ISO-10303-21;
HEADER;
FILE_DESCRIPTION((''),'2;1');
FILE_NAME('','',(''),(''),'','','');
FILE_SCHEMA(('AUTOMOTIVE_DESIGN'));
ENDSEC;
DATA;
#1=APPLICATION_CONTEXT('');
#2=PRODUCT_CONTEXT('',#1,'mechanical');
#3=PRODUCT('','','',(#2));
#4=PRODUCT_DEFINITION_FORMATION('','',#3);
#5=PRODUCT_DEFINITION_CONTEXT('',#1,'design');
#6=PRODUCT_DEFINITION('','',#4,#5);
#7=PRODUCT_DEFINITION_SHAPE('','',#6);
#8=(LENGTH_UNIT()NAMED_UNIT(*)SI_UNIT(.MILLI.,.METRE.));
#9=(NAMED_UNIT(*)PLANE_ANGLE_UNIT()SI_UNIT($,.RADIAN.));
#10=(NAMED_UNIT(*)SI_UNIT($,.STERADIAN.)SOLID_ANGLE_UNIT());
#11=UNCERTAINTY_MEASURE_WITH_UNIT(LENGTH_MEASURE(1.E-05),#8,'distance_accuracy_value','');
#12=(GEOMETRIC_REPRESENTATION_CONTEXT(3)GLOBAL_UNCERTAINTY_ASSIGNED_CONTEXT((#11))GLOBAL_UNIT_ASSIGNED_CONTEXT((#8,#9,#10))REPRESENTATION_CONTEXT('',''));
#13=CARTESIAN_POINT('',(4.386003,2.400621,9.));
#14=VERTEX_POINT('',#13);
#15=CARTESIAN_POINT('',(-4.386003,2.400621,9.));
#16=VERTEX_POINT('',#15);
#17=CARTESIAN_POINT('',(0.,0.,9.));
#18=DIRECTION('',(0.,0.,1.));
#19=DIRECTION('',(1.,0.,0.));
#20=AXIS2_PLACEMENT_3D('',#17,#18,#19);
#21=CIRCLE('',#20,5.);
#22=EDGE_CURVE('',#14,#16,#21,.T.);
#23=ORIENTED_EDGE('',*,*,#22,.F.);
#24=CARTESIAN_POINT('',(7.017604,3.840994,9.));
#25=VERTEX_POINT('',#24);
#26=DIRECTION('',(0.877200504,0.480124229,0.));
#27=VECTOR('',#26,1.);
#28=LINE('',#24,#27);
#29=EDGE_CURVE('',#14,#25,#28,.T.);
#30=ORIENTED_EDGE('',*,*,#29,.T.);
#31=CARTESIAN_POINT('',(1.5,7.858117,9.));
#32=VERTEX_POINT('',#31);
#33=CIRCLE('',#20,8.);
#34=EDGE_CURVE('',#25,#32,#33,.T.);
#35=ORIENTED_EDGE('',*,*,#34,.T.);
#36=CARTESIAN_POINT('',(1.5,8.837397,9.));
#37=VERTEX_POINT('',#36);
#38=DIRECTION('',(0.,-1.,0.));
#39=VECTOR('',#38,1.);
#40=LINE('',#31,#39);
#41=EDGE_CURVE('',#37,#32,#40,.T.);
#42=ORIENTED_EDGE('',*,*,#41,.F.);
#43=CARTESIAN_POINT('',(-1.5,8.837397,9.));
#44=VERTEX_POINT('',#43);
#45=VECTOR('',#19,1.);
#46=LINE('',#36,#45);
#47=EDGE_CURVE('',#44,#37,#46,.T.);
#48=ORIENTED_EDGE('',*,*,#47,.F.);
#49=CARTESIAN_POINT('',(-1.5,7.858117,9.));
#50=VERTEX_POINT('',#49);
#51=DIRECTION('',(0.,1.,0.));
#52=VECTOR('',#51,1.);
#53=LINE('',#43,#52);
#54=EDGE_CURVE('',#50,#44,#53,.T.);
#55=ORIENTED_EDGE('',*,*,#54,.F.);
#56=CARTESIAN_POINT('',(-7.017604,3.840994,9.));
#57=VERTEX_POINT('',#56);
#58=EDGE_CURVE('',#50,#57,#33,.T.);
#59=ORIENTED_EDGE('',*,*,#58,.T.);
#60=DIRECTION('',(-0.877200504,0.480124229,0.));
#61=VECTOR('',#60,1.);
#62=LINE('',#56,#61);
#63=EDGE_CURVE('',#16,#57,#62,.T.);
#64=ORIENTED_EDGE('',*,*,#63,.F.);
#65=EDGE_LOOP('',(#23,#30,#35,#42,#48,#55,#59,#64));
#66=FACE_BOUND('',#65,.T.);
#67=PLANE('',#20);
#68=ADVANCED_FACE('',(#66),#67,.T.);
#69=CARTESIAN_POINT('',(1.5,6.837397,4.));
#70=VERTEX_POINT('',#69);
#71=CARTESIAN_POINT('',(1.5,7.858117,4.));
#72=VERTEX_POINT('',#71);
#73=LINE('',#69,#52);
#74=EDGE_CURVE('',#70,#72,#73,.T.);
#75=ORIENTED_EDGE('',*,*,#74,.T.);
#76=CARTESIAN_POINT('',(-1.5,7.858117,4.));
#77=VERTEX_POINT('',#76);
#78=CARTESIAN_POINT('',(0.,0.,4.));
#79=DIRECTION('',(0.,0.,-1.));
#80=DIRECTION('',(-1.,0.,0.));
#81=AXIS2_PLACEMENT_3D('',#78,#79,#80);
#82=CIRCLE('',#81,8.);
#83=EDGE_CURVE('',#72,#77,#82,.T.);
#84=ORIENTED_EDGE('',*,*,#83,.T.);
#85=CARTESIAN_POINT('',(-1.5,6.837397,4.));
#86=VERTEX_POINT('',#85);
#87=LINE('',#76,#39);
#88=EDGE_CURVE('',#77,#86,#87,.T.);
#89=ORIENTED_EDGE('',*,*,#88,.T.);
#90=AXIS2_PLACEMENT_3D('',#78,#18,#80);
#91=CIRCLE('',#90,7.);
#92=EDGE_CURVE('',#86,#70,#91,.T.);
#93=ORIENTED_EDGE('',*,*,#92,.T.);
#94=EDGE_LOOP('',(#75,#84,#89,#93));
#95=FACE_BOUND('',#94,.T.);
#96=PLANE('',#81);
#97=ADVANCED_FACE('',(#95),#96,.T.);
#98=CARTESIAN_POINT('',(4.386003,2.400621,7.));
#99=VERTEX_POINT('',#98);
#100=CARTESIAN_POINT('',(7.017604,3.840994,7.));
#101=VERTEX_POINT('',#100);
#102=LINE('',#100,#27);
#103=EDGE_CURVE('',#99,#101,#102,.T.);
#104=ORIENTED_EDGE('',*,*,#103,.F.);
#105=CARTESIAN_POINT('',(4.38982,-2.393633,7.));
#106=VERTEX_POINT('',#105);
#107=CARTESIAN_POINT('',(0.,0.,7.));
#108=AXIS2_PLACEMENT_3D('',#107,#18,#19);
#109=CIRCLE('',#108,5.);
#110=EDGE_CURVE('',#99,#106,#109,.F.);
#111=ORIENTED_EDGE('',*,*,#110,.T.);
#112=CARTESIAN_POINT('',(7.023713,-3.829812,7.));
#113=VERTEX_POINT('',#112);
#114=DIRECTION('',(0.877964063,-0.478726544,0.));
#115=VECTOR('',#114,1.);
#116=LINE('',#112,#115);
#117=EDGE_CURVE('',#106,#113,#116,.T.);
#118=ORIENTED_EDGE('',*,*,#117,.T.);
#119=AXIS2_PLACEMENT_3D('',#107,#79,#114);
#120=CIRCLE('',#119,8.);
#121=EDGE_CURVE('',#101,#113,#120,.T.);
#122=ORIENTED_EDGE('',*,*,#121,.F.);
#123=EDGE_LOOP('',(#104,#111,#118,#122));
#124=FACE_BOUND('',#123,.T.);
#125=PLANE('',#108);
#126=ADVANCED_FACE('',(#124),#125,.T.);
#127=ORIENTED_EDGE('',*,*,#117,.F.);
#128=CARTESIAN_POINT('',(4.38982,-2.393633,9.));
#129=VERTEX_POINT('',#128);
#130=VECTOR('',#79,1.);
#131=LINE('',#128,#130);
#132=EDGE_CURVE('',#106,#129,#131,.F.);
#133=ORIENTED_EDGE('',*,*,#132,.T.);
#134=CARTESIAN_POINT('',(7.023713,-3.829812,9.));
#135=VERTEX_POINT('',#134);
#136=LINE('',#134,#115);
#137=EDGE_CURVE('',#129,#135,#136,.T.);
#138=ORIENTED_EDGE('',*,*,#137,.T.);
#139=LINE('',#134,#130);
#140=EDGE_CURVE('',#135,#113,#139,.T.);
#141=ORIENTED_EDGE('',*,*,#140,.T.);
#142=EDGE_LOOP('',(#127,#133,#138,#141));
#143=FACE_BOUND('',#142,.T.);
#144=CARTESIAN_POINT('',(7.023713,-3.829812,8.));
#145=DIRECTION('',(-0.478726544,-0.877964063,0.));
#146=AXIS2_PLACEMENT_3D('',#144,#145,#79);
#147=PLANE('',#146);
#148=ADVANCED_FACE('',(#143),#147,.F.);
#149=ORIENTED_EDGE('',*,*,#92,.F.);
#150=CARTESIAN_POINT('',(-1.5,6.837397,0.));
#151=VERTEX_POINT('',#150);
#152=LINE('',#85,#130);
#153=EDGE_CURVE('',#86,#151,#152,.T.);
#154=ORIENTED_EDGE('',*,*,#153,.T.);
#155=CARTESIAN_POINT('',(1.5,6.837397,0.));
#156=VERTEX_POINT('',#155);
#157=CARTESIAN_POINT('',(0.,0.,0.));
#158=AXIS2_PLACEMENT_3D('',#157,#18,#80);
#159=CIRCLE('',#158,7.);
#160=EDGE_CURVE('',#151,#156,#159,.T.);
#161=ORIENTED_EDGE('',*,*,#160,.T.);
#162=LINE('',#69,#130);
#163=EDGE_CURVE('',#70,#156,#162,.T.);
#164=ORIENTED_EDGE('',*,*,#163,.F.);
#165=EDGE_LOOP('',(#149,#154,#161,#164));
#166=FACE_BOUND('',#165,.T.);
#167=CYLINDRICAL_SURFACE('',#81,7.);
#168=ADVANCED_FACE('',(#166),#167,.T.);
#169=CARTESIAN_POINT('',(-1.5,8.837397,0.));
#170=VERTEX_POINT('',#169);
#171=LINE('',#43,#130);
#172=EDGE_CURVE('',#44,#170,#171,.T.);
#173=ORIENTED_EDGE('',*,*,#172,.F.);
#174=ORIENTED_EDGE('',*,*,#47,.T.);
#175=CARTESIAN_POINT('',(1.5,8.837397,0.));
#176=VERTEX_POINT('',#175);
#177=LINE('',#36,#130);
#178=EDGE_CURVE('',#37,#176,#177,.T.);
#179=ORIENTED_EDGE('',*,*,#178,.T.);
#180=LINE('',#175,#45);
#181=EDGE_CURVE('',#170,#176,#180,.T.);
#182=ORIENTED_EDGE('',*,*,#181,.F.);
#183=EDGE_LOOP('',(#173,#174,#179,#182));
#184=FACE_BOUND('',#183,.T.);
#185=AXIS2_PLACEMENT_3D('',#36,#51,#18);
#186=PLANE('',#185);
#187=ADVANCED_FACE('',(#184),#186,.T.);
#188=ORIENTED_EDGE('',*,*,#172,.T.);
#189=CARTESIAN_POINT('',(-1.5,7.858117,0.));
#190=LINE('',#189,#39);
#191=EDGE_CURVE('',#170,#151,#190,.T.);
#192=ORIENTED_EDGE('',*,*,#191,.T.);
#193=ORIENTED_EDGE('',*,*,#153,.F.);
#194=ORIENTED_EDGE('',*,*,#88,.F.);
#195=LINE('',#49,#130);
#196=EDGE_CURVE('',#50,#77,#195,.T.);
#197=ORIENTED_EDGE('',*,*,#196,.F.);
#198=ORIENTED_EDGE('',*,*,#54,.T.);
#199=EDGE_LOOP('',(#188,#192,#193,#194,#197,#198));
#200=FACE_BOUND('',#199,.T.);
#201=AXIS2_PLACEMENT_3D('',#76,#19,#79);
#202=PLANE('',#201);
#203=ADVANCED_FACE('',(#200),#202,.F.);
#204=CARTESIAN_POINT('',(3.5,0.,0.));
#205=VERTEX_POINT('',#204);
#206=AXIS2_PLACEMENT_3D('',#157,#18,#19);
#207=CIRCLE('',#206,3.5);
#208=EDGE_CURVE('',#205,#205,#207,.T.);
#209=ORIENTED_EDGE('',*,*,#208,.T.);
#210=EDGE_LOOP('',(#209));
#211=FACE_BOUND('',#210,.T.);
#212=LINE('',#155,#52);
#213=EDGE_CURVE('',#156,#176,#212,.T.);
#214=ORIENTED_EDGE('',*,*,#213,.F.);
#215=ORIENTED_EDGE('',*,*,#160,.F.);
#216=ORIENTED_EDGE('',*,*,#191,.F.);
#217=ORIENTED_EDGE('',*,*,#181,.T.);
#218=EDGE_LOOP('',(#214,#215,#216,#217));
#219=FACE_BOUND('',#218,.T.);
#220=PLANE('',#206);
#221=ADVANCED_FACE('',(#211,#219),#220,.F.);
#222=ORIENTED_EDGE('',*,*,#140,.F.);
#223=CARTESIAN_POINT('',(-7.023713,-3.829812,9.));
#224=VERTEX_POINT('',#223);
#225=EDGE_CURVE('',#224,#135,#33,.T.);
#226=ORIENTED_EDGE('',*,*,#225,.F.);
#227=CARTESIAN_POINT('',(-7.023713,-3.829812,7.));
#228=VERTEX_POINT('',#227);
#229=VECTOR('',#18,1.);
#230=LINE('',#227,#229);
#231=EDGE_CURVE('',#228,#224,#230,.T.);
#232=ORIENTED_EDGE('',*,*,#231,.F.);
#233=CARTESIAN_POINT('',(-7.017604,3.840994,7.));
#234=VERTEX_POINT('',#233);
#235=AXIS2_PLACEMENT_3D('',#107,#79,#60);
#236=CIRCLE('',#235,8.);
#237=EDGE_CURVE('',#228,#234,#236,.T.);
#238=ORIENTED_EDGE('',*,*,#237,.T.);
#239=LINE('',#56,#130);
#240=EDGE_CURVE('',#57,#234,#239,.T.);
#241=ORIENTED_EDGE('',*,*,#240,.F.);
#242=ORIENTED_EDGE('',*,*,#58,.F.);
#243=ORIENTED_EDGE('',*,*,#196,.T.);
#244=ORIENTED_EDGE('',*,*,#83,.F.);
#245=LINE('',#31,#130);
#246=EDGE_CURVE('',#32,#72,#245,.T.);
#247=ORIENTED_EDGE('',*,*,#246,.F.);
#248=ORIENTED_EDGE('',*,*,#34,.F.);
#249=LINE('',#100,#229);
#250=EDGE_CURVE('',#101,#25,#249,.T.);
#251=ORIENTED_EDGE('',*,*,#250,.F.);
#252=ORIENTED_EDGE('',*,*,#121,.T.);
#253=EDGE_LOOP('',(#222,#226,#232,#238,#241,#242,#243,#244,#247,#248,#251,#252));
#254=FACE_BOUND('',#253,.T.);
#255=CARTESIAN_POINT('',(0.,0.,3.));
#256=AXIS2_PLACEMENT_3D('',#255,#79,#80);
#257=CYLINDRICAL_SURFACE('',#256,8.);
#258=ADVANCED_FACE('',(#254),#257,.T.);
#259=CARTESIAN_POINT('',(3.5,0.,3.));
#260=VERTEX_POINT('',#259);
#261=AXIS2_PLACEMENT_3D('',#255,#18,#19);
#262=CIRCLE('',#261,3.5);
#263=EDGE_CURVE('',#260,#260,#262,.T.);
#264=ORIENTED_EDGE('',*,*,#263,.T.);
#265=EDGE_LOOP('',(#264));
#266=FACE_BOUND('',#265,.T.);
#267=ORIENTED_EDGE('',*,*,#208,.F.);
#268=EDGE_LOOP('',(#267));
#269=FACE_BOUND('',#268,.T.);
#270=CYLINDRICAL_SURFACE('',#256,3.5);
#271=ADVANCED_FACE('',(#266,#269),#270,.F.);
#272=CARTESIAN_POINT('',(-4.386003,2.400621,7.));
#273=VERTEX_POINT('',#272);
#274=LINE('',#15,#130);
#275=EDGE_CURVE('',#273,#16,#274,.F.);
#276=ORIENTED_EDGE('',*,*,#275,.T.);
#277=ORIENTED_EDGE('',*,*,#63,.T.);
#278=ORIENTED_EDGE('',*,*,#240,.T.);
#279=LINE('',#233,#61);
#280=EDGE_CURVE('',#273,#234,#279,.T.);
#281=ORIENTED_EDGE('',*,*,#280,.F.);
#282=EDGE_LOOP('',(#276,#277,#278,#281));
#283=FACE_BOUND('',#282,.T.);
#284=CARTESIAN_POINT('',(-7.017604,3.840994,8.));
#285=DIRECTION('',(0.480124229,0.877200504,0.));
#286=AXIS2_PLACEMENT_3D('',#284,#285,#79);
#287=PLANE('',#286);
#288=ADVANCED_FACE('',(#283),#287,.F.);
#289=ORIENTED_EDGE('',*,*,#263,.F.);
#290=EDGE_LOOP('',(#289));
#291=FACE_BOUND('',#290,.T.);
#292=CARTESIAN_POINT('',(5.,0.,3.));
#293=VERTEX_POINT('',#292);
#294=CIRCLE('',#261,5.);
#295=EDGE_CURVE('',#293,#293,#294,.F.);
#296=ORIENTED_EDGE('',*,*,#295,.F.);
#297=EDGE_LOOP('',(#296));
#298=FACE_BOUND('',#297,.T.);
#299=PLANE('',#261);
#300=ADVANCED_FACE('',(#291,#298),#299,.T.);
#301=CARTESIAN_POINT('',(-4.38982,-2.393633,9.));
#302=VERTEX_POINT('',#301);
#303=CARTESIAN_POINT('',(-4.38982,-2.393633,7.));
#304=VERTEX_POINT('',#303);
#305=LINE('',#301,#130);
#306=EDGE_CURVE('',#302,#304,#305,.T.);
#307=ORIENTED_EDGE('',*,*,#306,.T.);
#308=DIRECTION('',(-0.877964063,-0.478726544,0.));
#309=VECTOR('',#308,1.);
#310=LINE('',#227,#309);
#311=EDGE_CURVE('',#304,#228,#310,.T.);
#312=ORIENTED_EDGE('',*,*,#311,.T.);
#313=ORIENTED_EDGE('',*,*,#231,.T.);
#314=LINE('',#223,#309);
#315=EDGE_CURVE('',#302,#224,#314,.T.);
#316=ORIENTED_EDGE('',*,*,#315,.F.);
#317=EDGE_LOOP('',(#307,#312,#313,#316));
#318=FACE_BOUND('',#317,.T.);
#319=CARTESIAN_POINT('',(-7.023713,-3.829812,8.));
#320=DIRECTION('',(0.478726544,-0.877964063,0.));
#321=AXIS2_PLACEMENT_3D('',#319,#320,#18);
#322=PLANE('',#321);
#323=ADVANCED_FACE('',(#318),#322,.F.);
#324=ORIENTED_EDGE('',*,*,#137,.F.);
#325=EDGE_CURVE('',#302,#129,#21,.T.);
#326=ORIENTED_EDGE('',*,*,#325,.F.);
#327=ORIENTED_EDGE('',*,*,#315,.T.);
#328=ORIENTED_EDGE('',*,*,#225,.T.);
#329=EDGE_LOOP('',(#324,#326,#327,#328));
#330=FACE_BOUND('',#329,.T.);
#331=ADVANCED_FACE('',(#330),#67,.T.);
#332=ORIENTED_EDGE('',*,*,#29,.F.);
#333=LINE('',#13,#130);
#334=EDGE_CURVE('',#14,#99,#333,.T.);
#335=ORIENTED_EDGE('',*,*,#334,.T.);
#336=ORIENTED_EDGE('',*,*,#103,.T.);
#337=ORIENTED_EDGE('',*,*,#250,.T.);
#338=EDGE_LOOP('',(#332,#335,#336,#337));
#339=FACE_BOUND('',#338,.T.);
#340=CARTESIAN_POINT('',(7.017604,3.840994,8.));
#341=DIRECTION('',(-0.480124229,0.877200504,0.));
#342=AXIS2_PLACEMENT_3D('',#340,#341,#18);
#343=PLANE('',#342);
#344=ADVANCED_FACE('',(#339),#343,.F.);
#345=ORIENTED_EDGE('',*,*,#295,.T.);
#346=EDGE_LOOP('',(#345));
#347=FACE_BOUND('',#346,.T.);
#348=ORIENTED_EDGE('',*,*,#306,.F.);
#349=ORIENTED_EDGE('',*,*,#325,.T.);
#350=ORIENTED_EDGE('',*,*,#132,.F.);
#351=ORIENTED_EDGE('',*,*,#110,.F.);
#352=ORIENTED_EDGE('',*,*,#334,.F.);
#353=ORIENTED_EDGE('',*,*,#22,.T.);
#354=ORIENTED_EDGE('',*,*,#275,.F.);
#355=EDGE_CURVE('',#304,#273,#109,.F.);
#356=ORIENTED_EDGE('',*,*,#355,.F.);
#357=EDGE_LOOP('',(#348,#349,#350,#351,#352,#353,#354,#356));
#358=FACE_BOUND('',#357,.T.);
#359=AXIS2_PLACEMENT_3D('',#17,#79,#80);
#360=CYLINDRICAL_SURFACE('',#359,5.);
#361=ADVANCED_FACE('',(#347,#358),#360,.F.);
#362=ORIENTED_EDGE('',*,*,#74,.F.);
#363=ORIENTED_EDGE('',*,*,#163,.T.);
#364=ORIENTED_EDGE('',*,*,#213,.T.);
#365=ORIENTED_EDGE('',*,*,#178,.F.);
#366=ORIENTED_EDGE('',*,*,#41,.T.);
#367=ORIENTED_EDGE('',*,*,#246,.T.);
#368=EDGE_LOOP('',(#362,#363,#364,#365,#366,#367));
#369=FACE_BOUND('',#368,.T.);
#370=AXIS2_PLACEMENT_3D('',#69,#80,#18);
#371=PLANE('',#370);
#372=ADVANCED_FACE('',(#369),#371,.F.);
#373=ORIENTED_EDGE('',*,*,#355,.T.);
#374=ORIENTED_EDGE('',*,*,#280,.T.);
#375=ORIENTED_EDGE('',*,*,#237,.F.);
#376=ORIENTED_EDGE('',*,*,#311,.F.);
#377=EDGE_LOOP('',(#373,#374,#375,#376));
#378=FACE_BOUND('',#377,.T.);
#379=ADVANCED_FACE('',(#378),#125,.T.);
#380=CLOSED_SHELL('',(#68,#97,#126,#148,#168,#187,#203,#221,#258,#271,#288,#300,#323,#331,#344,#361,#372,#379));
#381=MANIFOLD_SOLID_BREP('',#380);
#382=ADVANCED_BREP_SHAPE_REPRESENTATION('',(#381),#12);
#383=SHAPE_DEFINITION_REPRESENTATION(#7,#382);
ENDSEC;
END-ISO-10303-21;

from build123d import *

# Parameters (mm, degrees)
SKETCH1_R                = 8
SKETCH1_R_2              = 3.5
BOSS_EXTRUDE1_DEPTH      = 3
SKETCH2_R                = 8
SKETCH2_R_2              = 5
BOSS_EXTRUDE2_DEPTH      = 6
WRAP3_SECTION_W          = 4
WRAP3_SECTION_H          = 2
WRAP3_ANGLE              = 57.295779513
WRAP3_SECTOR_2_SECTION_W = 4
WRAP3_SECTOR_2_SECTION_H = 2
WRAP3_SECTOR_2_ANGLE     = 57.295779513
CUT_EXTRUDE1_DEPTH       = 4
BOSS_EXTRUDE3_DEPTH      = 9


with BuildPart() as part:
    # Sketch1 → Boss-Extrude1 (new body)
    with BuildSketch(Plane.XY):
        Circle(SKETCH1_R)
        Circle(SKETCH1_R_2, mode=Mode.SUBTRACT)
    extrude(amount=BOSS_EXTRUDE1_DEPTH)

    # Sketch2 → Boss-Extrude2 (add)
    with BuildSketch(Plane.XY.offset(3)):
        Circle(SKETCH2_R)
        Circle(SKETCH2_R_2, mode=Mode.SUBTRACT)
    extrude(amount=BOSS_EXTRUDE2_DEPTH)

    # Wrap3 section (on wrap section) → Wrap3 (revolve, cut)
    with BuildSketch(Plane(origin=(0, 0, 0), x_dir=(-0.8779640629990781, -0.4787265441587198, 0), z_dir=(0.4787265441587198, -0.8779640629990781, 0))):
        with Locations((6, -8)):
            Rectangle(WRAP3_SECTION_W, WRAP3_SECTION_H)
    revolve(axis=Axis((0, 0, 0), (0, 0, -1)), revolution_arc=WRAP3_ANGLE, mode=Mode.SUBTRACT)

    # Wrap3 sector 2 section (on wrap section) → Wrap3 sector 2 (revolve, cut)
    with BuildSketch(Plane(origin=(0, 0, 0), x_dir=(0.8772005042746819, 0.4801242290285337, 0), z_dir=(-0.4801242290285337, 0.8772005042746819, 0))):
        with Locations((6, -8)):
            Rectangle(WRAP3_SECTOR_2_SECTION_W, WRAP3_SECTOR_2_SECTION_H)
    revolve(axis=Axis((0, 0, 0), (0, 0, -1)), revolution_arc=WRAP3_SECTOR_2_ANGLE, mode=Mode.SUBTRACT)

    # Sketch5 → Cut-Extrude1 (cut)
    with BuildSketch(Plane(origin=(0, 0, 0), x_dir=(-1, 0, 0), z_dir=(0, 0, -1))):
        with BuildLine():
            Line((-1.5, 6.837397166), (-1.5, 7.858116823))
            ThreePointArc((-1.5, 7.858116823), (0, -8), (1.5, 7.858116823))
            Line((1.5, 7.858116823), (1.5, 6.837397166))
            ThreePointArc((1.5, 6.837397166), (0, -7), (-1.5, 6.837397166))
        make_face()
    extrude(amount=-CUT_EXTRUDE1_DEPTH, mode=Mode.SUBTRACT)

    # Sketch6 → Boss-Extrude3 (add)
    with BuildSketch(Plane(origin=(0, 0, 0), x_dir=(-1, 0, 0), z_dir=(0, 0, -1))):
        with BuildLine():
            Line((-1.5, 7.858116823), (-1.5, 8.837397166))
            Line((-1.5, 8.837397166), (1.5, 8.837397166))
            Line((1.5, 8.837397166), (1.5, 7.858116823))
            ThreePointArc((1.5, 7.858116823), (0, 8), (-1.5, 7.858116823))
        make_face()
    extrude(amount=-BOSS_EXTRUDE3_DEPTH)


solid = part.part
